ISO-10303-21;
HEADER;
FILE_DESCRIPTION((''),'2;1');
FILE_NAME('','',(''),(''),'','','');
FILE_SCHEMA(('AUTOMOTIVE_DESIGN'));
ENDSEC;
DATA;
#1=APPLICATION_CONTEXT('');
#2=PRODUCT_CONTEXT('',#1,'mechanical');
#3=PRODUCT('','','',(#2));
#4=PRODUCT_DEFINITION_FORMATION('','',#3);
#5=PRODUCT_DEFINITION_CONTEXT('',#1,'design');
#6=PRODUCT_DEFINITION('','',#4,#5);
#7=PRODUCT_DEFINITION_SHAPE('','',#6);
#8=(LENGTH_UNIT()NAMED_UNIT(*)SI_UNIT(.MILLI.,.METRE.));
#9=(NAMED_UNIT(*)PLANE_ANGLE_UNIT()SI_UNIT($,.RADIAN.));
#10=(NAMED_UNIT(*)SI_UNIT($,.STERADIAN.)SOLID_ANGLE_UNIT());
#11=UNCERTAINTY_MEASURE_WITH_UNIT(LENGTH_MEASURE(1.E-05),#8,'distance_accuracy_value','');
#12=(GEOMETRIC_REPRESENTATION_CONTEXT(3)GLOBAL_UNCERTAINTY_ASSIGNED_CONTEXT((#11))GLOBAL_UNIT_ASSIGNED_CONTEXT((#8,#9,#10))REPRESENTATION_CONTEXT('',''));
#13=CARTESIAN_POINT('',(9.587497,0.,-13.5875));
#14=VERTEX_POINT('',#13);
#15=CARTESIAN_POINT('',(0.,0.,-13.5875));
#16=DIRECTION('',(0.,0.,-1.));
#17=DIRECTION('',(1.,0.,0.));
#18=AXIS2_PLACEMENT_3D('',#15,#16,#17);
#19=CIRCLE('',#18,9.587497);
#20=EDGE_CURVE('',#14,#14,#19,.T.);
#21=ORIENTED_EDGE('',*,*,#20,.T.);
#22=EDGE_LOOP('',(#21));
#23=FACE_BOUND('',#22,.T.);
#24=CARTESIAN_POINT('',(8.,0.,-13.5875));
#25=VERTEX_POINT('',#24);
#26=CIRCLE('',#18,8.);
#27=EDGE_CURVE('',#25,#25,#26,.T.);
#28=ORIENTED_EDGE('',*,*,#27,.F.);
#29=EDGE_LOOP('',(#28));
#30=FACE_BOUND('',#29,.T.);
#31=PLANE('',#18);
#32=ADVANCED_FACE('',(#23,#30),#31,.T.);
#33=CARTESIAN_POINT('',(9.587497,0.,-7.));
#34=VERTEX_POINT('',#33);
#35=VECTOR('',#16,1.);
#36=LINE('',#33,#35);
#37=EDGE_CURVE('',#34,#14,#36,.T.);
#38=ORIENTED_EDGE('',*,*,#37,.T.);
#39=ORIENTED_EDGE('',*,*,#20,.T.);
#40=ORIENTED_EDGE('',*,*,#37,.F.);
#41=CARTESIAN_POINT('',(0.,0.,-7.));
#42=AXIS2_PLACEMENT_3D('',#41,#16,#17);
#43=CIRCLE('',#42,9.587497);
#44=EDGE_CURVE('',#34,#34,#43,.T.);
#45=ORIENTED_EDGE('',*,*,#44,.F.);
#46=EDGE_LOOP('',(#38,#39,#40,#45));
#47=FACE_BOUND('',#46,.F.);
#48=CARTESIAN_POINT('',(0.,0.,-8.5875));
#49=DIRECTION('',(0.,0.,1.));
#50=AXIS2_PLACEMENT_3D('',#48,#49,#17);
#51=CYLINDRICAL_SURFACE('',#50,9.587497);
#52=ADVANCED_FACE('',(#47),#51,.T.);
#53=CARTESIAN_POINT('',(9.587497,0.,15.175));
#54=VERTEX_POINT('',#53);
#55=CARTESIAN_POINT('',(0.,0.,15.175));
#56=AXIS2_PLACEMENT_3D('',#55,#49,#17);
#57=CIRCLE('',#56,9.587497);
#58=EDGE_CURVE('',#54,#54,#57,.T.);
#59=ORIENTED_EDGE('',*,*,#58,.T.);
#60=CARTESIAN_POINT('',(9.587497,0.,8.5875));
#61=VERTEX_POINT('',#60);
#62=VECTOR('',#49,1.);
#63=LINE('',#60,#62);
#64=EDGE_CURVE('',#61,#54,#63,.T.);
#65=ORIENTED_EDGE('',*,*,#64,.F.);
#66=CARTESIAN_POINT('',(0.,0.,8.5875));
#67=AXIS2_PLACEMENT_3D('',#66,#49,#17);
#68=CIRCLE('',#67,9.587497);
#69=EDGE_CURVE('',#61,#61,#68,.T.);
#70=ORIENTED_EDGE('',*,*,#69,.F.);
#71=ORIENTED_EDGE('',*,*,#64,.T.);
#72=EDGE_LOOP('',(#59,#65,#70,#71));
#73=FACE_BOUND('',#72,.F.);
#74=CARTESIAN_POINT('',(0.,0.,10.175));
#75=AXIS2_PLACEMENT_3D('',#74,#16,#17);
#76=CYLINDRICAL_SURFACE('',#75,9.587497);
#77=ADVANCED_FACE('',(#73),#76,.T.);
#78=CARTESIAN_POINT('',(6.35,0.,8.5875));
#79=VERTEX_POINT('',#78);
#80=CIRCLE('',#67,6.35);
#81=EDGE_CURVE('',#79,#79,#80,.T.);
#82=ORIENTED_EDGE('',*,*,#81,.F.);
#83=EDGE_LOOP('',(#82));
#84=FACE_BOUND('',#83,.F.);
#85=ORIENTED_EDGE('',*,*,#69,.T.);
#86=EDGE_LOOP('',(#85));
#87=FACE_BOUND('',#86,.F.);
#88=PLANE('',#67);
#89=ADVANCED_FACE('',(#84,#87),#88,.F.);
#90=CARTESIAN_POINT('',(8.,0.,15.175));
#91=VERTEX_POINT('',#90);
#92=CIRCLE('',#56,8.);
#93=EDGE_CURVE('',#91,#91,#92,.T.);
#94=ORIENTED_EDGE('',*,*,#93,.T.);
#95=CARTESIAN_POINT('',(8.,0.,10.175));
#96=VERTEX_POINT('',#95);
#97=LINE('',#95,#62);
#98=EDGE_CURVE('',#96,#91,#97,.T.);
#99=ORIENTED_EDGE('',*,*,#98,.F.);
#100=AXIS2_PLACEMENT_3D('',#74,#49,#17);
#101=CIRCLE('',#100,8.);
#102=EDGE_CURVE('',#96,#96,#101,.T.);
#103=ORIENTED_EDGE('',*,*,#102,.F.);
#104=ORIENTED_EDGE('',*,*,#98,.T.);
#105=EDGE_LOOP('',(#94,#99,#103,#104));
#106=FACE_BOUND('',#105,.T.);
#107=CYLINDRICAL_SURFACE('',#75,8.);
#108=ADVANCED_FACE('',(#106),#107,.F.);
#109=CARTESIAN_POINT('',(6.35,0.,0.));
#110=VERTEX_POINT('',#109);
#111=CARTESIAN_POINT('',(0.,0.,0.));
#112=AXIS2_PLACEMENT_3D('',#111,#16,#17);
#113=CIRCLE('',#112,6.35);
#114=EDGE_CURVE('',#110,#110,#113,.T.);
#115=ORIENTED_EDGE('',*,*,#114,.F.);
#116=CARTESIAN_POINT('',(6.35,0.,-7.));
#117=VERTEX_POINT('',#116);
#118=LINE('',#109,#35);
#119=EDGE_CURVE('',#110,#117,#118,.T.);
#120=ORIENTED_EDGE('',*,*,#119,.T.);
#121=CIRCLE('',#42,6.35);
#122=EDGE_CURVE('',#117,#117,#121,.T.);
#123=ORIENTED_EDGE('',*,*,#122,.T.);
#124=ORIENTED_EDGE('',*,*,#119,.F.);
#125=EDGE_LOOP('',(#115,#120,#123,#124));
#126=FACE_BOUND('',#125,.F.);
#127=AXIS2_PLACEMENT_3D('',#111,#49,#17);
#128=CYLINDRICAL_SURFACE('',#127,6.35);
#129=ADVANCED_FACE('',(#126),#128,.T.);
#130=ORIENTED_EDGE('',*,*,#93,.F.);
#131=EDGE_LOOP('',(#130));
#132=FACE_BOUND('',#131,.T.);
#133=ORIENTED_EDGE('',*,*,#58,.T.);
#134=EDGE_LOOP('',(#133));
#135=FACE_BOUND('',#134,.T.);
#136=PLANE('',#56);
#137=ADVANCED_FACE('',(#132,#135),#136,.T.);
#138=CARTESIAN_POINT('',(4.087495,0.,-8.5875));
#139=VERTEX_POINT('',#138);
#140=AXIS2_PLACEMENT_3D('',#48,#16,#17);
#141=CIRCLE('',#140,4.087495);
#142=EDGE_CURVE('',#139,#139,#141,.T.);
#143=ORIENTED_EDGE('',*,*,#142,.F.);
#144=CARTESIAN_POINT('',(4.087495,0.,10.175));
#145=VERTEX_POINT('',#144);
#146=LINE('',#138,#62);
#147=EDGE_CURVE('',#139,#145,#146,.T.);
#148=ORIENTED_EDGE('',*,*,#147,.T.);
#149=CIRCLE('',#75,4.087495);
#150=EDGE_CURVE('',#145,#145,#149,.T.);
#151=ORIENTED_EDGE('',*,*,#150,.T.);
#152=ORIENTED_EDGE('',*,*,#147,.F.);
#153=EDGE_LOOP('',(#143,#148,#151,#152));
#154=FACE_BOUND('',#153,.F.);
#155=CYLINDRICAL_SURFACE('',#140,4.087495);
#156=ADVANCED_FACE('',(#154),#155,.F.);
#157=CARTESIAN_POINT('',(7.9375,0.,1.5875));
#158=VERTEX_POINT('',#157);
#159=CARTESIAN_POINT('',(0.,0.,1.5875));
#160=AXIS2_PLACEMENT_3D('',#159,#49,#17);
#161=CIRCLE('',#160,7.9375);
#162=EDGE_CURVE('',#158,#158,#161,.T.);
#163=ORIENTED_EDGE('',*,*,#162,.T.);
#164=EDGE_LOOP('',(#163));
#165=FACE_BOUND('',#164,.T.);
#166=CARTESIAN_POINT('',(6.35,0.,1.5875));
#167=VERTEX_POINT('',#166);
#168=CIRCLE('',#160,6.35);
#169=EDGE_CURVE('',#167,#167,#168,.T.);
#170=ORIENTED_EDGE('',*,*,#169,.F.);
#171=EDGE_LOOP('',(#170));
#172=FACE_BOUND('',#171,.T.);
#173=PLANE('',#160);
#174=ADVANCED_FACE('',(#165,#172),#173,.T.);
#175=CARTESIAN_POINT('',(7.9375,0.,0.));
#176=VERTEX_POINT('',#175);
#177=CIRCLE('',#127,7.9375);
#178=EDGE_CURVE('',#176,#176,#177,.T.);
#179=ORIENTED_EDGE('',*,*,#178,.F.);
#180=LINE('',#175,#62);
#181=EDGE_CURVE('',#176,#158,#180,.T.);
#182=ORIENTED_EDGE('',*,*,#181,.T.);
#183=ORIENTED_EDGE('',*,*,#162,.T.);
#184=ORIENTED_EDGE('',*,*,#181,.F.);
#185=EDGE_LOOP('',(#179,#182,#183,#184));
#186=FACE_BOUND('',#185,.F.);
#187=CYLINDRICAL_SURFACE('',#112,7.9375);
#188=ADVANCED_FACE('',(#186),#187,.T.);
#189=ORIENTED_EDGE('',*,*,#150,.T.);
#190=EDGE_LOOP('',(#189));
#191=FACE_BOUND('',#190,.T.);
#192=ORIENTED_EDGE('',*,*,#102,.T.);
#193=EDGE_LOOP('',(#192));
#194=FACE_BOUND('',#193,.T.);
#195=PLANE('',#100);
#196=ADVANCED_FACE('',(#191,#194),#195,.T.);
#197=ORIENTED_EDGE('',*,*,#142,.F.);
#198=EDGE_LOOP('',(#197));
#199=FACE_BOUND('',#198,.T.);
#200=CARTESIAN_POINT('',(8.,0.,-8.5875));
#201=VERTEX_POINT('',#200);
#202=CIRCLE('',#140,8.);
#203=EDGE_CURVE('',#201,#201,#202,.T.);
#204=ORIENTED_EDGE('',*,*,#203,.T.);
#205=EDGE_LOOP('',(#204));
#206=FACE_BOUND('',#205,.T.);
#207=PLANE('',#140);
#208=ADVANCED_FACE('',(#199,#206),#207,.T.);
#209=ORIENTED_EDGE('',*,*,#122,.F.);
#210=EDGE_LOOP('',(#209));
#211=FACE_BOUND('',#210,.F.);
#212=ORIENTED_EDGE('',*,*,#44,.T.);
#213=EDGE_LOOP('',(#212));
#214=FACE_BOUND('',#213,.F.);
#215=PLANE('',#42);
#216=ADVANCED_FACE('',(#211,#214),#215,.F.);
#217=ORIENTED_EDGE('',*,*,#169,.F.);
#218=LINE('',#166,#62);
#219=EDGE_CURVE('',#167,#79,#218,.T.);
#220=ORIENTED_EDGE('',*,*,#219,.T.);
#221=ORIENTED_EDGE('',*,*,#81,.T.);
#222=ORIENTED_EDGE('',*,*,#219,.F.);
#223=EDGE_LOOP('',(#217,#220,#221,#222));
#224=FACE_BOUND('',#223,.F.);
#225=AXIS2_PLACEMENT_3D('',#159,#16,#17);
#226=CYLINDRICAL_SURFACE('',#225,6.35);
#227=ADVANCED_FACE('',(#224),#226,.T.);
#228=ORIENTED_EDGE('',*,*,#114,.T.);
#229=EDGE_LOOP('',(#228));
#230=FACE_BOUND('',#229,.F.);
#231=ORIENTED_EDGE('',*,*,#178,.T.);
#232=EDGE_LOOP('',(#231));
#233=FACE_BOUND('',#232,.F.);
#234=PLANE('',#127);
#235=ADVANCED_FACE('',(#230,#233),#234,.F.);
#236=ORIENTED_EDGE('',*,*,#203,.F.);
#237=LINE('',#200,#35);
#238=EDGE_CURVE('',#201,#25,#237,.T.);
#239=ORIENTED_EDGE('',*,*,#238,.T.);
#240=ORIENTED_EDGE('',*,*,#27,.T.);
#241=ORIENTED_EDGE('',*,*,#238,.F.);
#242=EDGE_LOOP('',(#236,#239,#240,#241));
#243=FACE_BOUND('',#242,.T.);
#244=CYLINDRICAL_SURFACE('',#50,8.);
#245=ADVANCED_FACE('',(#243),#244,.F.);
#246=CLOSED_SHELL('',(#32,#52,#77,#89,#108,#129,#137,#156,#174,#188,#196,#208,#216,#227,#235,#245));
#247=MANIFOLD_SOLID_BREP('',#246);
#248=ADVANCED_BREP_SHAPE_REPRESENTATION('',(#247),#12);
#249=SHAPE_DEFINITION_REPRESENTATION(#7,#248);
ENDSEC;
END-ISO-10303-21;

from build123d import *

# Parameters (mm, degrees)
F0_R      = 7.9375
F1_DEPTH  = 1.5875
F2_R      = 6.35
F3_DEPTH  = 7
F4_R      = 6.35
F5_DEPTH  = 7
F6_R      = 9.587497
F7_DEPTH  = 1.5875
F8_R      = 9.587497
F9_DEPTH  = 1.5875
F10_R     = 9.587497
F10_R_2   = 8
F11_DEPTH = 5
F12_R     = 9.587497
F12_R_2   = 8
F13_DEPTH = 5
F14_R     = 4.087495
F15_DEPTH = 18.7625


with BuildPart() as f1:
    # F0 (on Top) → F1 (new body)
    with BuildSketch(Plane.XY):
        Circle(F0_R)
    extrude(amount=F1_DEPTH)

    # F2 (on face) → F3 (join)
    with BuildSketch(Plane.XY.offset(1.5875)):
        Circle(F2_R)
    extrude(amount=F3_DEPTH)

    # F4 (on face) → F5 (join)
    with BuildSketch(Plane(origin=(0, 0, 0), x_dir=(1, 0, 0), z_dir=(0, 0, -1))):
        Circle(F4_R)
    extrude(amount=F5_DEPTH)

    # F6 (on face) → F7 (join)
    with BuildSketch(Plane.XY.offset(8.5875)):
        Circle(F6_R)
    extrude(amount=F7_DEPTH)

    # F8 (on face) → F9 (join)
    with BuildSketch(Plane(origin=(0, 0, -7), x_dir=(1, 0, 0), z_dir=(0, 0, -1))):
        Circle(F8_R)
    extrude(amount=F9_DEPTH)

    # F10 (on face) → F11 (join)
    with BuildSketch(Plane(origin=(0, 0, -8.5875), x_dir=(1, 0, 0), z_dir=(0, 0, -1))):
        Circle(F10_R)
        Circle(F10_R_2, mode=Mode.SUBTRACT)
    extrude(amount=F11_DEPTH)

    # F12 (on face) → F13 (join)
    with BuildSketch(Plane.XY.offset(10.175)):
        Circle(F12_R)
        Circle(F12_R_2, mode=Mode.SUBTRACT)
    extrude(amount=F13_DEPTH)

    # F14 (on face) → F15 (cut, through all)
    with BuildSketch(Plane(origin=(0, 0, -8.5875), x_dir=(1, 0, 0), z_dir=(0, 0, -1))):
        Circle(F14_R)
    extrude(amount=-F15_DEPTH, mode=Mode.SUBTRACT)


solid = f1.part
